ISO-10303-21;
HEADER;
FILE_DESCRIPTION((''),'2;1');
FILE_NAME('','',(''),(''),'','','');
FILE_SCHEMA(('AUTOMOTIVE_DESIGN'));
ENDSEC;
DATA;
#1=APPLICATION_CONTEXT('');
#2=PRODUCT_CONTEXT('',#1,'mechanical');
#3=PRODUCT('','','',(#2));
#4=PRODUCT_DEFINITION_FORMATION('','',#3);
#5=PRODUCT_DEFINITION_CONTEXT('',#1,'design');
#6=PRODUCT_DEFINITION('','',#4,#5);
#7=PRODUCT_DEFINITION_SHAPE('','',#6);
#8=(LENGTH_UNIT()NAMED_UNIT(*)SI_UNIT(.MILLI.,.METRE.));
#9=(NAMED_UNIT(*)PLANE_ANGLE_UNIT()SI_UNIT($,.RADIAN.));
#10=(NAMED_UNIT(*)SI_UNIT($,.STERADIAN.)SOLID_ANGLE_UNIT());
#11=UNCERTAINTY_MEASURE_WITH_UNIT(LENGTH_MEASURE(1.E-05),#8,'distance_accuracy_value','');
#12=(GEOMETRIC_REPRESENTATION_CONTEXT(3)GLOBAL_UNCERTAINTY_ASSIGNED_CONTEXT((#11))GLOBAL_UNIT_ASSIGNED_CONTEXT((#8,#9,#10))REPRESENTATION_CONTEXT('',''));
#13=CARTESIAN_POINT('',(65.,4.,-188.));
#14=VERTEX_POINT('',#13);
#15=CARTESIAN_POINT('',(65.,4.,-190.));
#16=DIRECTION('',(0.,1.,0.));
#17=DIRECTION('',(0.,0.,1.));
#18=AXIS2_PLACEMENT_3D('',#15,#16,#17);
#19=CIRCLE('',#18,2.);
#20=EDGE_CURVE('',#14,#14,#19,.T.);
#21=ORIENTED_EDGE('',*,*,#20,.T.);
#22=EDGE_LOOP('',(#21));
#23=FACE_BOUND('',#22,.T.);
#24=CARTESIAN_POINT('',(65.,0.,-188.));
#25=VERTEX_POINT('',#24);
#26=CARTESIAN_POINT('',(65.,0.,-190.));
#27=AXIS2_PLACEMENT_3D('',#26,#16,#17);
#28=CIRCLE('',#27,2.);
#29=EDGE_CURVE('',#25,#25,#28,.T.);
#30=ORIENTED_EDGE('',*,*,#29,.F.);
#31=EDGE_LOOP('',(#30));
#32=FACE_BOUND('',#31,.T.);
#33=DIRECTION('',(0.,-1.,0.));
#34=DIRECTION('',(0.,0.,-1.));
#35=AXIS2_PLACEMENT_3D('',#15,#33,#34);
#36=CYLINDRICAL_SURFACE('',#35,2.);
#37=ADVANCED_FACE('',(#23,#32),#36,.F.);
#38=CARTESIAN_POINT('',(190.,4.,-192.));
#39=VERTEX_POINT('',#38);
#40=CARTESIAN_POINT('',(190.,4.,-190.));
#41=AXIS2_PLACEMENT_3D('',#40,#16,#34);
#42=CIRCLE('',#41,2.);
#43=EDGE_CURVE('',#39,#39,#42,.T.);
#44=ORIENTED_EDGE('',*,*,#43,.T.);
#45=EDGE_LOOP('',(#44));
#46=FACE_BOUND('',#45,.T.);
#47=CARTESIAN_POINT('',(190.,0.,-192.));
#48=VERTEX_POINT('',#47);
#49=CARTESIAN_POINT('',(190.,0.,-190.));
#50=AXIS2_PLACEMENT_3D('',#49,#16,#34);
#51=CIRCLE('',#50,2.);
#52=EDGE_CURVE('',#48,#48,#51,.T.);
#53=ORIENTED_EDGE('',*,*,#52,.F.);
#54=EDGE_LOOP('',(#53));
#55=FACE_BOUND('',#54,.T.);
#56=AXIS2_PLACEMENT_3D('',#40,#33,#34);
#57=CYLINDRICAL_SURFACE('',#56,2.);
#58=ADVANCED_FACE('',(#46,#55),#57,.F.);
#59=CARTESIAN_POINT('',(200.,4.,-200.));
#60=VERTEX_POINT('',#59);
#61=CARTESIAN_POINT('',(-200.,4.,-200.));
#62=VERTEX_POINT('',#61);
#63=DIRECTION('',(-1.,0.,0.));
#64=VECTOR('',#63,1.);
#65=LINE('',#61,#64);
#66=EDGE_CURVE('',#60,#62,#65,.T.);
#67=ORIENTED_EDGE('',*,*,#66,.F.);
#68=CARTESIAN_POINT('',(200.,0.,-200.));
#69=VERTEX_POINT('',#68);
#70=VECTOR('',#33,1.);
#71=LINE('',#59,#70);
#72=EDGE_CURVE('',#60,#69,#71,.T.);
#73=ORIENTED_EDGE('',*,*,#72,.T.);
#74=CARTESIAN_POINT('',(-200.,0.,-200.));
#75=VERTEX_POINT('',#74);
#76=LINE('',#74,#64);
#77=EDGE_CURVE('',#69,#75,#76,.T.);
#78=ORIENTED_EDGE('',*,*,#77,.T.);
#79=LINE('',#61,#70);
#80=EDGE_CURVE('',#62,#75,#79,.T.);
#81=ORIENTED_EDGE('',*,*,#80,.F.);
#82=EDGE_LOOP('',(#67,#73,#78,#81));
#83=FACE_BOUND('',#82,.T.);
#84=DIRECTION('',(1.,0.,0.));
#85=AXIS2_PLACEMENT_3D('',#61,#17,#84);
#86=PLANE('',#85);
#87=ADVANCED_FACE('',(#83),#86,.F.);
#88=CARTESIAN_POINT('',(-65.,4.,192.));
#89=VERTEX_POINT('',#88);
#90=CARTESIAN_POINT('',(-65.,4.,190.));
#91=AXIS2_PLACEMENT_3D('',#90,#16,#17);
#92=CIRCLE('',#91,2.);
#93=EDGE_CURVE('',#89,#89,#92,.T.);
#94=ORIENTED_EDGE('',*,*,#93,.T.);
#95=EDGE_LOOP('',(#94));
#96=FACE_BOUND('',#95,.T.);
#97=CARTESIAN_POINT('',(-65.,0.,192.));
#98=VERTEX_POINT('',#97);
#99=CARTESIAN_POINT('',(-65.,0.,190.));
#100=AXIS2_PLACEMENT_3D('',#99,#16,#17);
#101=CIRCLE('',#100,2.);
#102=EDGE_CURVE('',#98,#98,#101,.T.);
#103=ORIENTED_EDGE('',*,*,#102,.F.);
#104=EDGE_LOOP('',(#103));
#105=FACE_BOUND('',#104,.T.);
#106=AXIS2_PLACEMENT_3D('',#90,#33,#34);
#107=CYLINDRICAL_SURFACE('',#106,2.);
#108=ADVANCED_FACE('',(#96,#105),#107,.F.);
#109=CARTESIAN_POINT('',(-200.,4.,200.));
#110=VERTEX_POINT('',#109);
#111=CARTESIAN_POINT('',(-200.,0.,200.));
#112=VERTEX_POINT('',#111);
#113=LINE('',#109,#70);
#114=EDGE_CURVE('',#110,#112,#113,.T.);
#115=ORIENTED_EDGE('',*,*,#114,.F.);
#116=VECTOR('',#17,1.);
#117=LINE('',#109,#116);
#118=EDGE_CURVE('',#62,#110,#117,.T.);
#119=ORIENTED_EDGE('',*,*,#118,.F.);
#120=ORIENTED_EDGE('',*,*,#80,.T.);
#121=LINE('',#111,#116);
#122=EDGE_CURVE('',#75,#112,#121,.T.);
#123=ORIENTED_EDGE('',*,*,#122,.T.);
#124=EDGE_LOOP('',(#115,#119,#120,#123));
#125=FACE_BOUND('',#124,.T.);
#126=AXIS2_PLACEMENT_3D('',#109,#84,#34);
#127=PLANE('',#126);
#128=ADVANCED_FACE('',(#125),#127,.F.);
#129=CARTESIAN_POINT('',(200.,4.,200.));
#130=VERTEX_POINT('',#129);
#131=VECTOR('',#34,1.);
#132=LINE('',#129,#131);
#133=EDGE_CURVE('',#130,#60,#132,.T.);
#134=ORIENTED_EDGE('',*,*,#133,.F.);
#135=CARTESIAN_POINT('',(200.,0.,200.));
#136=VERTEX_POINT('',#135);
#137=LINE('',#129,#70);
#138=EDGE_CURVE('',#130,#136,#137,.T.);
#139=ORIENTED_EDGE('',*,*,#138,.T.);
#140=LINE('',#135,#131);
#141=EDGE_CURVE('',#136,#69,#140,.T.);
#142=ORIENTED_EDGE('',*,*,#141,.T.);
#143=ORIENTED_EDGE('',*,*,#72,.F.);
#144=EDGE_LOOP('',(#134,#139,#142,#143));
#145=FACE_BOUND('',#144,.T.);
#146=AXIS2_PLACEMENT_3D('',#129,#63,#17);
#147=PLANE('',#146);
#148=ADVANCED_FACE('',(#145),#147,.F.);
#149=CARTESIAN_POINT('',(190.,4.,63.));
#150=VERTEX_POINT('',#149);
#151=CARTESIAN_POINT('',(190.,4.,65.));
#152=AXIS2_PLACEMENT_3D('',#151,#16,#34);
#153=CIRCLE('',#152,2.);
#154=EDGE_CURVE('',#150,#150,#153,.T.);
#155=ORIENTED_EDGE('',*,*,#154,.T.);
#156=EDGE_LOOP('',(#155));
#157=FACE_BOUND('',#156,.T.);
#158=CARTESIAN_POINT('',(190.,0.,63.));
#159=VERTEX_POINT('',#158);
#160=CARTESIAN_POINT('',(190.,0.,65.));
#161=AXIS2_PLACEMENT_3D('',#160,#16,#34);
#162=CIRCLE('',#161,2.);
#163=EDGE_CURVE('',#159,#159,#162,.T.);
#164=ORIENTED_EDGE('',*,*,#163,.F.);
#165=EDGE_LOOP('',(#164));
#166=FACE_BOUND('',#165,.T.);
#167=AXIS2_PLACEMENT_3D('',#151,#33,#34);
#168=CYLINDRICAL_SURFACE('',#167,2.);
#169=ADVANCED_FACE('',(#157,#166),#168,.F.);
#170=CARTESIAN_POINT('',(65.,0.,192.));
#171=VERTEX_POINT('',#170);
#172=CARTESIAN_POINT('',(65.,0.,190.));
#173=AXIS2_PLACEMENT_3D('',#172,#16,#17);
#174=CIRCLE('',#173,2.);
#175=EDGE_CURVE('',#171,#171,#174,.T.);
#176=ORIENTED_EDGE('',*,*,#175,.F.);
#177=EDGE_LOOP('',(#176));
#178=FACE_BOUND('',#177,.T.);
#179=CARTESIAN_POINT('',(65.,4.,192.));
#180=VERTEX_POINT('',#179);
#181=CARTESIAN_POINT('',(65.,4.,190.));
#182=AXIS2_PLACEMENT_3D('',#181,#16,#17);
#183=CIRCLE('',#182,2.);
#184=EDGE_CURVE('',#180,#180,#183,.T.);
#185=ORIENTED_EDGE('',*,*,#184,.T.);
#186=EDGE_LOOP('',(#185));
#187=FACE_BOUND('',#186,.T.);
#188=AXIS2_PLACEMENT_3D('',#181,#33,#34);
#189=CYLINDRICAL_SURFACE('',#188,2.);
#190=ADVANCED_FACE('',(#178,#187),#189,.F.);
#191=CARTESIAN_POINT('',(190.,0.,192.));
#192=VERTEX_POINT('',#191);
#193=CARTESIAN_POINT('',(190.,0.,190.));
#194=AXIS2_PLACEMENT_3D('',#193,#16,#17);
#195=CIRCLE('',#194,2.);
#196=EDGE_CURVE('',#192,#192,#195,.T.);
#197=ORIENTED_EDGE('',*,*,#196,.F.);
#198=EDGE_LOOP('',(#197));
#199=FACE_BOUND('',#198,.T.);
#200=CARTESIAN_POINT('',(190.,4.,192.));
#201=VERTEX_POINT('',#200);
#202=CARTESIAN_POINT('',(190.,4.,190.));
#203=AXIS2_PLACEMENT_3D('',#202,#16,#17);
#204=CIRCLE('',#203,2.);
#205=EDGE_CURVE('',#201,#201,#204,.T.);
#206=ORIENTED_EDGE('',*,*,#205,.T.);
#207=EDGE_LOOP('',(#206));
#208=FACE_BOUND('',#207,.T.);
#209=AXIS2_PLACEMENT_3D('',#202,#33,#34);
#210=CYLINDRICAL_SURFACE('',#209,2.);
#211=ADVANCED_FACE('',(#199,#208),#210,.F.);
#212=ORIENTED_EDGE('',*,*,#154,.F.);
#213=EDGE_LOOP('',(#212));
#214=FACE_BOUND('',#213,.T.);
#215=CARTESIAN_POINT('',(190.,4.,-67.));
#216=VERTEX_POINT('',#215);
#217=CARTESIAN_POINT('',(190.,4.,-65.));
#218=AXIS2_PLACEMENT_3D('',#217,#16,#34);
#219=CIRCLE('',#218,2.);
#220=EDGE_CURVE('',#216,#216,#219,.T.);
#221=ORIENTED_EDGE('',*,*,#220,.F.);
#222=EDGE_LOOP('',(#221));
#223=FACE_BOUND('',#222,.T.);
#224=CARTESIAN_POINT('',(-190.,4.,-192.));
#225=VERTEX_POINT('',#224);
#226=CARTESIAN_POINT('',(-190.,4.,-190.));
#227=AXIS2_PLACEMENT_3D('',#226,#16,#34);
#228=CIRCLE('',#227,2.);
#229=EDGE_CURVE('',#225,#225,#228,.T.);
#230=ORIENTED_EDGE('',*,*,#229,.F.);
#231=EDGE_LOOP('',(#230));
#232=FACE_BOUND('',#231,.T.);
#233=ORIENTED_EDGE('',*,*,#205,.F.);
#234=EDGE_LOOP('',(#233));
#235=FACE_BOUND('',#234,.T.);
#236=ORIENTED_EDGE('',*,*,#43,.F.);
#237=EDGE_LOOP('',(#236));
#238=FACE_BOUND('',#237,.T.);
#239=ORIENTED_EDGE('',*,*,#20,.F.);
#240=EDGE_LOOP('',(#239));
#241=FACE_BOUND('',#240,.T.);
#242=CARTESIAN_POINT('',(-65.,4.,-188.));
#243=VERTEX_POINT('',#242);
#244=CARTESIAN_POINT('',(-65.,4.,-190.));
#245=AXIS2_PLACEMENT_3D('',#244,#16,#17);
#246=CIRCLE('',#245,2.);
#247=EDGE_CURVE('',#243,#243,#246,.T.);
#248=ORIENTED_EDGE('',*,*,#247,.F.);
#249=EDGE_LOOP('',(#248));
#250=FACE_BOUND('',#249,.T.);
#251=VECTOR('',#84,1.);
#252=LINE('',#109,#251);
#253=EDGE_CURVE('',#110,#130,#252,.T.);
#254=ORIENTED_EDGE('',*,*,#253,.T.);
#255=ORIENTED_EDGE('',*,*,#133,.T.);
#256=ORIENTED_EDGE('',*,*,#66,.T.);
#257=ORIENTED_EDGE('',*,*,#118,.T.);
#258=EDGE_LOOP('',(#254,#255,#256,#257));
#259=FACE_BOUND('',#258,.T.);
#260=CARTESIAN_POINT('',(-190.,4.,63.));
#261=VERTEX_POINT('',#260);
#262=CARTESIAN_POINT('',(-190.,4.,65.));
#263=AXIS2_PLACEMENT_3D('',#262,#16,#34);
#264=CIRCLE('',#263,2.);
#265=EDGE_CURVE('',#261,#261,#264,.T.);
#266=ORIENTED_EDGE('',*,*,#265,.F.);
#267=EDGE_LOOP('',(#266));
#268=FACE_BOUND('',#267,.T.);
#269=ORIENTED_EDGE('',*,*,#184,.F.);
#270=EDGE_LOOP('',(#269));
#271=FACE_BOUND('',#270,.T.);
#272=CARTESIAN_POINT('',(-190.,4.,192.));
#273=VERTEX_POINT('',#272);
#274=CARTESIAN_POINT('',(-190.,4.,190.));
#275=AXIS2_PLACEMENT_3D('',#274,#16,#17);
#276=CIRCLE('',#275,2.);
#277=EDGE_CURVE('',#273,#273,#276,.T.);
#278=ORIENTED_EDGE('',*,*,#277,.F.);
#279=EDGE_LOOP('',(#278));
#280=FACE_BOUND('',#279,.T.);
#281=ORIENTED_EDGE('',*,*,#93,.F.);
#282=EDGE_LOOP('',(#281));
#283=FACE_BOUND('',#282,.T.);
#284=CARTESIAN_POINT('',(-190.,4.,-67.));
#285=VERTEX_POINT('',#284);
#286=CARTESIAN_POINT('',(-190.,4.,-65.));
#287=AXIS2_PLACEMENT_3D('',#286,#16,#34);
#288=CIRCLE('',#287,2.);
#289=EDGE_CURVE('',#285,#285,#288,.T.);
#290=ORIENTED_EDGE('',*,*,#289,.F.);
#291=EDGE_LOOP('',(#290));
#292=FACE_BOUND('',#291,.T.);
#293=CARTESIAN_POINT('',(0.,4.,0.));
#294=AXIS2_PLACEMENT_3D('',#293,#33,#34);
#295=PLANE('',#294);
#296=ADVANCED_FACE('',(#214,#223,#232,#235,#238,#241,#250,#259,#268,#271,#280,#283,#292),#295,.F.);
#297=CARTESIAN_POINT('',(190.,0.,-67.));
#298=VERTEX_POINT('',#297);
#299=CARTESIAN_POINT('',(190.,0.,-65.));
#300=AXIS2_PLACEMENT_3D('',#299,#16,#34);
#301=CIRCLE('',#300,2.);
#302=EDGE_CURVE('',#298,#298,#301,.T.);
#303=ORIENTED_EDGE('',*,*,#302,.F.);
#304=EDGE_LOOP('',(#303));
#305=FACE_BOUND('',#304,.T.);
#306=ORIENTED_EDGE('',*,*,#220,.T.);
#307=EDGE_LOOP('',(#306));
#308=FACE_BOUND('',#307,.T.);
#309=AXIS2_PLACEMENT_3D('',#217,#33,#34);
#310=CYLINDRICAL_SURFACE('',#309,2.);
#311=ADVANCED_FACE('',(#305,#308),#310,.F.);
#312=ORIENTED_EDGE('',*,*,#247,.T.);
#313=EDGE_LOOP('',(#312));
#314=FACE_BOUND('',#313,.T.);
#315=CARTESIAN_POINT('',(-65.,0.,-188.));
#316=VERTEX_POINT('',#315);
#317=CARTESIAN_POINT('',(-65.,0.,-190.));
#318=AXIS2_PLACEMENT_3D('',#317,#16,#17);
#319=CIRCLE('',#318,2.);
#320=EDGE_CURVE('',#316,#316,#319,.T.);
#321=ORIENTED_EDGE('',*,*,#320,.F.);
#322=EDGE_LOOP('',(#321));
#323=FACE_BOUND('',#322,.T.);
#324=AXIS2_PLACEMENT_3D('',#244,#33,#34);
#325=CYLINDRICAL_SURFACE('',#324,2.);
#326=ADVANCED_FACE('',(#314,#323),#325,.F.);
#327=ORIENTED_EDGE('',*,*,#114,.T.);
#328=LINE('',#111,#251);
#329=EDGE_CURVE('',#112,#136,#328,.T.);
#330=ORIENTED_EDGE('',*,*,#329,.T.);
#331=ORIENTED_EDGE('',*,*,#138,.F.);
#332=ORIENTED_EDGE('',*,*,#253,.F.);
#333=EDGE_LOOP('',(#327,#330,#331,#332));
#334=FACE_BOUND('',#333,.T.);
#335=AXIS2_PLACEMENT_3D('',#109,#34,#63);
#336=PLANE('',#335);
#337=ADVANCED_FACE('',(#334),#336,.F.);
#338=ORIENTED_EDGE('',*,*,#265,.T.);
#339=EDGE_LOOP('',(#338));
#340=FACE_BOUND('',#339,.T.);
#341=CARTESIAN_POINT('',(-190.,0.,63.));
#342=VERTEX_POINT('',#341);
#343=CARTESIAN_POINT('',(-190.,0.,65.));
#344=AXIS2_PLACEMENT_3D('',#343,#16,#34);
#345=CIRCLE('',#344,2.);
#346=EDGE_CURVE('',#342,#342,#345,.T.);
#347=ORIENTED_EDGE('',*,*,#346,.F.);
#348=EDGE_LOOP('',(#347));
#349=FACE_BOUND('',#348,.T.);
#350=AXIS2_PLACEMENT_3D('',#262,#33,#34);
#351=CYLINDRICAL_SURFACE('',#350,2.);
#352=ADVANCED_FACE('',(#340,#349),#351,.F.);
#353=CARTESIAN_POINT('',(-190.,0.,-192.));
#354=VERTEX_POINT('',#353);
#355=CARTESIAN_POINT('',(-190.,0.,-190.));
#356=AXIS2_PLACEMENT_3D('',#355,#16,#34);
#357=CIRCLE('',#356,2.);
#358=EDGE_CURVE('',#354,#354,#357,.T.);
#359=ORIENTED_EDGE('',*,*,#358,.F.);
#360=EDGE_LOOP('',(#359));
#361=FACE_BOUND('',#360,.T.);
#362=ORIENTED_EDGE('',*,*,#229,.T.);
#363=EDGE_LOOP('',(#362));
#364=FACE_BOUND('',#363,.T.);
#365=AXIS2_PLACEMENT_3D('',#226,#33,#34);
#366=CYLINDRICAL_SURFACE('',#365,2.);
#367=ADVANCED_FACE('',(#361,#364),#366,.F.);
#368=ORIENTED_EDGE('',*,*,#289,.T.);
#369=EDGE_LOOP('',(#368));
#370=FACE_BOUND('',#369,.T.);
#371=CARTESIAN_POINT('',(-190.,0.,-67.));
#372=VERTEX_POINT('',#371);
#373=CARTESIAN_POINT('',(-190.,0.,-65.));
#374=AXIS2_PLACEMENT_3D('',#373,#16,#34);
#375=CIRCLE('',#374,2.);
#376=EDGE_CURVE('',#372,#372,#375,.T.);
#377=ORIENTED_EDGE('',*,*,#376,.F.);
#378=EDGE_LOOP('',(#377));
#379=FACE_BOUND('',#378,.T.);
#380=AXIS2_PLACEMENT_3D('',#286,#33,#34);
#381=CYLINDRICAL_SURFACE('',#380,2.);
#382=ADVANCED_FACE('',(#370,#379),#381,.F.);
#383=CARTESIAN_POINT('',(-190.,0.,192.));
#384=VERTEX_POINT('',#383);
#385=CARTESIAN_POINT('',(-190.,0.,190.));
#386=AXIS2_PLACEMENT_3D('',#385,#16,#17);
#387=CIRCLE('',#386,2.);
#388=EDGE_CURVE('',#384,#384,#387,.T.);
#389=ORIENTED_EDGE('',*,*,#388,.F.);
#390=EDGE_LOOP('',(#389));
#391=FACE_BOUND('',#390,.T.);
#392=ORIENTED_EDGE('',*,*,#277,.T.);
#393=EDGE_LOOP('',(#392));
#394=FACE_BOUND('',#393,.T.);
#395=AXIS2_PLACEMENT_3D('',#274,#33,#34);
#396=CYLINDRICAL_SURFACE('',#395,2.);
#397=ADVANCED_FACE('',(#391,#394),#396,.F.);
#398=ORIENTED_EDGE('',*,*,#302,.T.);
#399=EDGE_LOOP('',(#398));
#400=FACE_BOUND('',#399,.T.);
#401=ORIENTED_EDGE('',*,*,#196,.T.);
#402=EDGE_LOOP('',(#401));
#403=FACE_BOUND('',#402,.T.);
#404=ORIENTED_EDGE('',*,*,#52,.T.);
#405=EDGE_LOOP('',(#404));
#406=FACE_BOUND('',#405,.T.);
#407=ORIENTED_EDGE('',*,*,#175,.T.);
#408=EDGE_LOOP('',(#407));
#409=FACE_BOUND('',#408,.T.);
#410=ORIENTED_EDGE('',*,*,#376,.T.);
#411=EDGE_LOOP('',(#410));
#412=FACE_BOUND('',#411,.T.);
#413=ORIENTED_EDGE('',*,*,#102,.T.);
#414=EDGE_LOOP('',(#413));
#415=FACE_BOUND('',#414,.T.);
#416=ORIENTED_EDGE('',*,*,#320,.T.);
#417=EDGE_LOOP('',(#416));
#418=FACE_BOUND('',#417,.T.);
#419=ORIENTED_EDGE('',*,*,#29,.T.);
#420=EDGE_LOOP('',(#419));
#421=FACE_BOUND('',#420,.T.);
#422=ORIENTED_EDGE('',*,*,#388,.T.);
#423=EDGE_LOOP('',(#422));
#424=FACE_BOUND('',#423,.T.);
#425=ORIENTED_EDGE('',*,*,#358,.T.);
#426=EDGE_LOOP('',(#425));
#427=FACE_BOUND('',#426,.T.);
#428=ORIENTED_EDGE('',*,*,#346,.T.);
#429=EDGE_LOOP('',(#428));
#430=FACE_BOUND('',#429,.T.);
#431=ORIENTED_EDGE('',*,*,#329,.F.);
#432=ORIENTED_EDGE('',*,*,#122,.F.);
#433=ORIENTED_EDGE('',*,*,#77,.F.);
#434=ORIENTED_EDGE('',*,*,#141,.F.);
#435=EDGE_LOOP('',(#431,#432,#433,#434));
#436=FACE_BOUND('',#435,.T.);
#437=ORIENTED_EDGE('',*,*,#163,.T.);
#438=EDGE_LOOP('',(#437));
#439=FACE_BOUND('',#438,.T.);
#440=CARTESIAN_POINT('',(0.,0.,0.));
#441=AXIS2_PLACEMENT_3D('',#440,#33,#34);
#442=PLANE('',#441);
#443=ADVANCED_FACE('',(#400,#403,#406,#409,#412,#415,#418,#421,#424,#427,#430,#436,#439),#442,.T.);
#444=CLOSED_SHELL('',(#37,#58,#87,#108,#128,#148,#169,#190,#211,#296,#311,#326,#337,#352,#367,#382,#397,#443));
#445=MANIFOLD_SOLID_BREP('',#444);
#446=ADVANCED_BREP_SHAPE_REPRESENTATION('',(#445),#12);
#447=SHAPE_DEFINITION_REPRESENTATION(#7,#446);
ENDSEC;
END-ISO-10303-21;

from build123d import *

# Parameters (mm, degrees)
SKETCH1_W           = 400
SKETCH1_H           = 400
SKETCH1_R           = 2
BOSS_EXTRUDE1_DEPTH = 4


with BuildPart() as part:
    # Sketch1 → Boss-Extrude1 (new body)
    with BuildSketch(Plane(origin=(0, 0, 0), x_dir=(1, 0, 0), z_dir=(0, 1, 0))):
        Rectangle(SKETCH1_W, SKETCH1_H)
        with Locations((-190, -190)):
            Circle(SKETCH1_R, mode=Mode.SUBTRACT)
        with Locations((-65, -190)):
            Circle(SKETCH1_R, mode=Mode.SUBTRACT)
        with Locations((65, -190)):
            Circle(SKETCH1_R, mode=Mode.SUBTRACT)
        with Locations((190, -190)):
            Circle(SKETCH1_R, mode=Mode.SUBTRACT)
        with Locations((-190, 190)):
            Circle(SKETCH1_R, mode=Mode.SUBTRACT)
        with Locations((-190, 65)):
            Circle(SKETCH1_R, mode=Mode.SUBTRACT)
        with Locations((-190, -65)):
            Circle(SKETCH1_R, mode=Mode.SUBTRACT)
        with Locations((190, 190)):
            Circle(SKETCH1_R, mode=Mode.SUBTRACT)
        with Locations((65, 190)):
            Circle(SKETCH1_R, mode=Mode.SUBTRACT)
        with Locations((-65, 190)):
            Circle(SKETCH1_R, mode=Mode.SUBTRACT)
        with Locations((190, 65)):
            Circle(SKETCH1_R, mode=Mode.SUBTRACT)
        with Locations((190, -65)):
            Circle(SKETCH1_R, mode=Mode.SUBTRACT)
    extrude(amount=BOSS_EXTRUDE1_DEPTH)


solid = part.part
